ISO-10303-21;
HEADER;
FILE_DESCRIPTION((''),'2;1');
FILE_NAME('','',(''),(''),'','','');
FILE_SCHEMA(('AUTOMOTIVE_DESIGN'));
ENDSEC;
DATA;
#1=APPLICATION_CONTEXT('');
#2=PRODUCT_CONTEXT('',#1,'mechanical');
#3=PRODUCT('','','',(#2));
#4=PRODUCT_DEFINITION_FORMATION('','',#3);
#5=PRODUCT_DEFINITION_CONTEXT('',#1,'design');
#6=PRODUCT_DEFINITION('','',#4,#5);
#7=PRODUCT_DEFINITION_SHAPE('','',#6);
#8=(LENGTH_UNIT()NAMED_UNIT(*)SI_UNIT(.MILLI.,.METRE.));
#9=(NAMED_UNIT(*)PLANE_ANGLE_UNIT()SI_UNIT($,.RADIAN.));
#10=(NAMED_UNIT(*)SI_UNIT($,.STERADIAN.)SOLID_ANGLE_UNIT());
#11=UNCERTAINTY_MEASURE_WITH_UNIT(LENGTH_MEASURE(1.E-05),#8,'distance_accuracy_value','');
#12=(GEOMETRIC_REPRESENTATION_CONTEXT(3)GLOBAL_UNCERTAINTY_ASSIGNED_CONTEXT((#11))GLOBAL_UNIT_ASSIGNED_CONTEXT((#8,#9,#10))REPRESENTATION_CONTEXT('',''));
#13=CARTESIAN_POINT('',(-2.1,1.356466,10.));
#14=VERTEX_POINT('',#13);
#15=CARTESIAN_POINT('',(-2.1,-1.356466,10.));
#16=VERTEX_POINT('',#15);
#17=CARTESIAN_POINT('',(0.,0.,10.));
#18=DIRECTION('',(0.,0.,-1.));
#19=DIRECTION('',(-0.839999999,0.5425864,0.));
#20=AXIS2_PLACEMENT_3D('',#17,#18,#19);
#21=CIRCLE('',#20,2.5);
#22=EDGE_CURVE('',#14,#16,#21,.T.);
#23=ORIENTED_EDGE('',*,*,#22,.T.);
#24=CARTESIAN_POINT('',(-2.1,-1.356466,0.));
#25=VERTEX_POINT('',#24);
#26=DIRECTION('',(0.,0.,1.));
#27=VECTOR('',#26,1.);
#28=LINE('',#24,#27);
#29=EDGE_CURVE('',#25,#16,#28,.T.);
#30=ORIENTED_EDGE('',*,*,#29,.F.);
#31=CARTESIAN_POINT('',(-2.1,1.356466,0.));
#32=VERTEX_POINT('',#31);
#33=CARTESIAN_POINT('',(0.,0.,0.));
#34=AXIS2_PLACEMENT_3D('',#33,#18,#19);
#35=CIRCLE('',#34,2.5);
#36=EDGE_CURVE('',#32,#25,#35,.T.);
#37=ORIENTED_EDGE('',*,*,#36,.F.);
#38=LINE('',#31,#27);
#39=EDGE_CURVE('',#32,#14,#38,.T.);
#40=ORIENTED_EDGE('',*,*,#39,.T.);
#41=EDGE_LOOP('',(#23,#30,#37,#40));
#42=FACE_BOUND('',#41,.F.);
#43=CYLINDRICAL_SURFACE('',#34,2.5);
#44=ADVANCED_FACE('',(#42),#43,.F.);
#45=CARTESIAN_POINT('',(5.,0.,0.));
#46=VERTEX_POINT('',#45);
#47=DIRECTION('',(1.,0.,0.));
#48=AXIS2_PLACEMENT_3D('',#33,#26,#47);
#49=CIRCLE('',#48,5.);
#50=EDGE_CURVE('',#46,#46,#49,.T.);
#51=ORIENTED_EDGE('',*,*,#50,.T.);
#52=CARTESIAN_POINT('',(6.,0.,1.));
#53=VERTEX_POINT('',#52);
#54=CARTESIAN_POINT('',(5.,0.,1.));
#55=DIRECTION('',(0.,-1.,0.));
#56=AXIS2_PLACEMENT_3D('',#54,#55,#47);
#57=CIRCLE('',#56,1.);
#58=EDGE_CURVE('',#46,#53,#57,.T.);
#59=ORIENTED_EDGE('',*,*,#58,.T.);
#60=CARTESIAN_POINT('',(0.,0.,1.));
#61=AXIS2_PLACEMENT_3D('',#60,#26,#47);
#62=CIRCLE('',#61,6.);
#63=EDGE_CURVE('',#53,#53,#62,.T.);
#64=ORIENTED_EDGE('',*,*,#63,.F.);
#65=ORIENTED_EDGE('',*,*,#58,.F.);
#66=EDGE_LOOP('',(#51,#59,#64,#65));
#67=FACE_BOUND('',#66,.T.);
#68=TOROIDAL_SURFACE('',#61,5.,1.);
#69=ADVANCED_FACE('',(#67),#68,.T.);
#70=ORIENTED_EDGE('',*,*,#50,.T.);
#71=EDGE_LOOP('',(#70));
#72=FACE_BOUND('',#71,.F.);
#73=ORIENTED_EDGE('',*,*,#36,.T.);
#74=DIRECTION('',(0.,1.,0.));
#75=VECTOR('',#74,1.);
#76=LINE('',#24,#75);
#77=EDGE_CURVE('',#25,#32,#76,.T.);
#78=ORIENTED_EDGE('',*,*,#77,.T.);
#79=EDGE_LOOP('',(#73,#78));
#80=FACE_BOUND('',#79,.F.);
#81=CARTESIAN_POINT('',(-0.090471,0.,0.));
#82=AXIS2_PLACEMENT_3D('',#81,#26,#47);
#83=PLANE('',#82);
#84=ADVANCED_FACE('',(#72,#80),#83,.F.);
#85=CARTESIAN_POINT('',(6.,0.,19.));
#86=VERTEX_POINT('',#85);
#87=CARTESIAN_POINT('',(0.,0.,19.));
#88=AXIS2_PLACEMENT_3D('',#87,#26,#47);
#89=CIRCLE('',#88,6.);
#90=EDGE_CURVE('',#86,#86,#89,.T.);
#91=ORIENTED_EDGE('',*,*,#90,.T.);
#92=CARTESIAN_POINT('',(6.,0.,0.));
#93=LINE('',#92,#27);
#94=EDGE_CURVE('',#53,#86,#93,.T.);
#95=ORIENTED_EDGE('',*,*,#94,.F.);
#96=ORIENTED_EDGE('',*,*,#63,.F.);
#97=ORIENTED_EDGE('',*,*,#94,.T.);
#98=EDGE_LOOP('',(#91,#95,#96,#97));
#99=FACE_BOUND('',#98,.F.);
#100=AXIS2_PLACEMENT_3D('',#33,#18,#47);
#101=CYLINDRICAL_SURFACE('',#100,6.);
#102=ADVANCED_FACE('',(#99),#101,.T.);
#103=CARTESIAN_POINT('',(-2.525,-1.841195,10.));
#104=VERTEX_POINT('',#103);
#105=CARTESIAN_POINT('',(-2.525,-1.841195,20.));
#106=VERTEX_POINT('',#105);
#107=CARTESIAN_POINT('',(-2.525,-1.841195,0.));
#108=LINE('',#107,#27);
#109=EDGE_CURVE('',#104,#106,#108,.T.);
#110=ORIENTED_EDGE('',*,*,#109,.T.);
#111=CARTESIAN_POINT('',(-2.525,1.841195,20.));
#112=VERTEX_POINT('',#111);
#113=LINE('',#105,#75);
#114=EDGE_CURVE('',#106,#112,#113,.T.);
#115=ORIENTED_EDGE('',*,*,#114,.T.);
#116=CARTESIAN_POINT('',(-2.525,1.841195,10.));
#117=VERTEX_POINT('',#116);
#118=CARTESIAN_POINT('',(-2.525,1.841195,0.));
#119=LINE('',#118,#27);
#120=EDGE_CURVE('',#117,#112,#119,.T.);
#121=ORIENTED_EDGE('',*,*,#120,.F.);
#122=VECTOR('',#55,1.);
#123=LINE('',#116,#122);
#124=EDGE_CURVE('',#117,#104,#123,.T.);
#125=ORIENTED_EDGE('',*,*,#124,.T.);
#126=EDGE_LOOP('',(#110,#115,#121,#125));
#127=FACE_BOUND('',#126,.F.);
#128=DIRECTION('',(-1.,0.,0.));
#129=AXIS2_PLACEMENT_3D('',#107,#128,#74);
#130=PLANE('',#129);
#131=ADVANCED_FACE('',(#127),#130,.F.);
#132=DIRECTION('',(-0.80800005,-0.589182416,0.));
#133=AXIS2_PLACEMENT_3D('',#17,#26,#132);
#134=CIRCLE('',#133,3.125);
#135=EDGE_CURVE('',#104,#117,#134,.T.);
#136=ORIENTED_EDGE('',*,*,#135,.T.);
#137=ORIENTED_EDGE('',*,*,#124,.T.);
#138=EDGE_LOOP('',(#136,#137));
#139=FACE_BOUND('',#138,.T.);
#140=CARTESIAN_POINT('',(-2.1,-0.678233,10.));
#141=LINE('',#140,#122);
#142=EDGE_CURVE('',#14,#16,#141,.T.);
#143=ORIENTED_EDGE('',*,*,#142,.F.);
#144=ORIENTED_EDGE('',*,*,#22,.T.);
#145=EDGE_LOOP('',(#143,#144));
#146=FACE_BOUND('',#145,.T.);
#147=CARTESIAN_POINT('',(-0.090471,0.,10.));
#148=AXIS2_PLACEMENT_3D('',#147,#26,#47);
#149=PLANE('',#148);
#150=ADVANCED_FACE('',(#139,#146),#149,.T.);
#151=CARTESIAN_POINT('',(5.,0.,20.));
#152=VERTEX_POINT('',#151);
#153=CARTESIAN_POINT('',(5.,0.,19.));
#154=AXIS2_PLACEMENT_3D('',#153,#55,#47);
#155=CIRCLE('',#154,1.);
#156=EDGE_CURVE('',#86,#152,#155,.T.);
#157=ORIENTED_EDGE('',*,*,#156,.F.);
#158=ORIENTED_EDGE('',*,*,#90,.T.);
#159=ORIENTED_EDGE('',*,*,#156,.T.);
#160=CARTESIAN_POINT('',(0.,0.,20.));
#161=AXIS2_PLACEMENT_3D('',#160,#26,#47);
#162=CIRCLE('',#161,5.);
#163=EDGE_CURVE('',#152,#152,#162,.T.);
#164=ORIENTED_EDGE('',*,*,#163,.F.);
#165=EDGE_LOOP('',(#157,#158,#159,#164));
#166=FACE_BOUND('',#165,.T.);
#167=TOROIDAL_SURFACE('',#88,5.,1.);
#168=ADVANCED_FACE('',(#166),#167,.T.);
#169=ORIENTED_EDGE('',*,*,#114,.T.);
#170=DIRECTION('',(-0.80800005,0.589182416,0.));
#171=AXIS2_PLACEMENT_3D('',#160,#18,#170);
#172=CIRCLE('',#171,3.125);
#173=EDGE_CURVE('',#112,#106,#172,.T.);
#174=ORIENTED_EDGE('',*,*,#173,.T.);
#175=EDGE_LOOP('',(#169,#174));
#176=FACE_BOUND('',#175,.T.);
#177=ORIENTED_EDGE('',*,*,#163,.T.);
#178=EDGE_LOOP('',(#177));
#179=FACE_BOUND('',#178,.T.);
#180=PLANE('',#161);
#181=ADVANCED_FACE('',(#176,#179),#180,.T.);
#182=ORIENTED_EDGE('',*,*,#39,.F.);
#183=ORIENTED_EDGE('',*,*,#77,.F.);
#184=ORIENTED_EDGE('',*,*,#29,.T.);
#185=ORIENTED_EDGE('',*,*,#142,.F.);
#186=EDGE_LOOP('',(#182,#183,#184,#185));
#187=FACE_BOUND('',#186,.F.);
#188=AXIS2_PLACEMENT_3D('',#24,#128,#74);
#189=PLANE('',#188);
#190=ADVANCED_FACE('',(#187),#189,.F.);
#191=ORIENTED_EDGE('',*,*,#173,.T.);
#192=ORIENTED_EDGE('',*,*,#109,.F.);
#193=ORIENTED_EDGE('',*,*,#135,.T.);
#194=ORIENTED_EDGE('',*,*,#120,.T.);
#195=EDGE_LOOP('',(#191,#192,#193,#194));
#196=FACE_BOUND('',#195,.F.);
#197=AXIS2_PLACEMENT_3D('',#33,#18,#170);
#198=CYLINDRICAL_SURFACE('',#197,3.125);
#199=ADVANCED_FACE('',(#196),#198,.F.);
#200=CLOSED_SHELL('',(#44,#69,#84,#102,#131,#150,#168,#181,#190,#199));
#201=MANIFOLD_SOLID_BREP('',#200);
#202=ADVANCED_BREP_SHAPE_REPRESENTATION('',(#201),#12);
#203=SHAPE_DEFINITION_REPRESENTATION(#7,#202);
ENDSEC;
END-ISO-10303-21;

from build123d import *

# Parameters (mm, degrees)
F0_R     = 6
F1_DEPTH = 20
F2_DEPTH = 10
F4_DEPTH = 25
F5_R     = 1


with BuildPart() as f1:
    # F0 (on Top) → F1 (new body)
    with BuildSketch(Plane.XY):
        Circle(F0_R)
        with BuildLine():
            ThreePointArc((-2.525, 1.841195), (3.125, 0), (-2.525, -1.841195))
            Line((-2.525, -1.841195), (-2.525, 1.841195))
        make_face(mode=Mode.SUBTRACT)
    extrude(amount=F1_DEPTH)

    # F0 (on Top) → F2 (join)
    with BuildSketch(Plane.XY):
        with BuildLine():
            Line((-2.525, 1.841195), (-2.525, -1.841195))
            ThreePointArc((-2.525, -1.841195), (3.125, 0), (-2.525, 1.841195))
        make_face()
    extrude(amount=F2_DEPTH)

    # F3 (on face) → F4 (cut)
    with BuildSketch(Plane(origin=(0, 0, 0), x_dir=(1, 0, 0), z_dir=(0, 0, -1))):
        with BuildLine():
            Line((-2.1, 1.356466), (-2.1, -1.356466))
            ThreePointArc((-2.1, -1.356466), (2.5, 0), (-2.1, 1.356466))
        make_face()
    extrude(amount=-F4_DEPTH, mode=Mode.SUBTRACT)

    # F5
    f5_edges = [f1.edges().sort_by_distance(p)[0] for p in [
        (-6, 0, 20),
        (-6, 0, 0),
    ]]
    fillet(f5_edges, radius=F5_R)


solid = f1.part
